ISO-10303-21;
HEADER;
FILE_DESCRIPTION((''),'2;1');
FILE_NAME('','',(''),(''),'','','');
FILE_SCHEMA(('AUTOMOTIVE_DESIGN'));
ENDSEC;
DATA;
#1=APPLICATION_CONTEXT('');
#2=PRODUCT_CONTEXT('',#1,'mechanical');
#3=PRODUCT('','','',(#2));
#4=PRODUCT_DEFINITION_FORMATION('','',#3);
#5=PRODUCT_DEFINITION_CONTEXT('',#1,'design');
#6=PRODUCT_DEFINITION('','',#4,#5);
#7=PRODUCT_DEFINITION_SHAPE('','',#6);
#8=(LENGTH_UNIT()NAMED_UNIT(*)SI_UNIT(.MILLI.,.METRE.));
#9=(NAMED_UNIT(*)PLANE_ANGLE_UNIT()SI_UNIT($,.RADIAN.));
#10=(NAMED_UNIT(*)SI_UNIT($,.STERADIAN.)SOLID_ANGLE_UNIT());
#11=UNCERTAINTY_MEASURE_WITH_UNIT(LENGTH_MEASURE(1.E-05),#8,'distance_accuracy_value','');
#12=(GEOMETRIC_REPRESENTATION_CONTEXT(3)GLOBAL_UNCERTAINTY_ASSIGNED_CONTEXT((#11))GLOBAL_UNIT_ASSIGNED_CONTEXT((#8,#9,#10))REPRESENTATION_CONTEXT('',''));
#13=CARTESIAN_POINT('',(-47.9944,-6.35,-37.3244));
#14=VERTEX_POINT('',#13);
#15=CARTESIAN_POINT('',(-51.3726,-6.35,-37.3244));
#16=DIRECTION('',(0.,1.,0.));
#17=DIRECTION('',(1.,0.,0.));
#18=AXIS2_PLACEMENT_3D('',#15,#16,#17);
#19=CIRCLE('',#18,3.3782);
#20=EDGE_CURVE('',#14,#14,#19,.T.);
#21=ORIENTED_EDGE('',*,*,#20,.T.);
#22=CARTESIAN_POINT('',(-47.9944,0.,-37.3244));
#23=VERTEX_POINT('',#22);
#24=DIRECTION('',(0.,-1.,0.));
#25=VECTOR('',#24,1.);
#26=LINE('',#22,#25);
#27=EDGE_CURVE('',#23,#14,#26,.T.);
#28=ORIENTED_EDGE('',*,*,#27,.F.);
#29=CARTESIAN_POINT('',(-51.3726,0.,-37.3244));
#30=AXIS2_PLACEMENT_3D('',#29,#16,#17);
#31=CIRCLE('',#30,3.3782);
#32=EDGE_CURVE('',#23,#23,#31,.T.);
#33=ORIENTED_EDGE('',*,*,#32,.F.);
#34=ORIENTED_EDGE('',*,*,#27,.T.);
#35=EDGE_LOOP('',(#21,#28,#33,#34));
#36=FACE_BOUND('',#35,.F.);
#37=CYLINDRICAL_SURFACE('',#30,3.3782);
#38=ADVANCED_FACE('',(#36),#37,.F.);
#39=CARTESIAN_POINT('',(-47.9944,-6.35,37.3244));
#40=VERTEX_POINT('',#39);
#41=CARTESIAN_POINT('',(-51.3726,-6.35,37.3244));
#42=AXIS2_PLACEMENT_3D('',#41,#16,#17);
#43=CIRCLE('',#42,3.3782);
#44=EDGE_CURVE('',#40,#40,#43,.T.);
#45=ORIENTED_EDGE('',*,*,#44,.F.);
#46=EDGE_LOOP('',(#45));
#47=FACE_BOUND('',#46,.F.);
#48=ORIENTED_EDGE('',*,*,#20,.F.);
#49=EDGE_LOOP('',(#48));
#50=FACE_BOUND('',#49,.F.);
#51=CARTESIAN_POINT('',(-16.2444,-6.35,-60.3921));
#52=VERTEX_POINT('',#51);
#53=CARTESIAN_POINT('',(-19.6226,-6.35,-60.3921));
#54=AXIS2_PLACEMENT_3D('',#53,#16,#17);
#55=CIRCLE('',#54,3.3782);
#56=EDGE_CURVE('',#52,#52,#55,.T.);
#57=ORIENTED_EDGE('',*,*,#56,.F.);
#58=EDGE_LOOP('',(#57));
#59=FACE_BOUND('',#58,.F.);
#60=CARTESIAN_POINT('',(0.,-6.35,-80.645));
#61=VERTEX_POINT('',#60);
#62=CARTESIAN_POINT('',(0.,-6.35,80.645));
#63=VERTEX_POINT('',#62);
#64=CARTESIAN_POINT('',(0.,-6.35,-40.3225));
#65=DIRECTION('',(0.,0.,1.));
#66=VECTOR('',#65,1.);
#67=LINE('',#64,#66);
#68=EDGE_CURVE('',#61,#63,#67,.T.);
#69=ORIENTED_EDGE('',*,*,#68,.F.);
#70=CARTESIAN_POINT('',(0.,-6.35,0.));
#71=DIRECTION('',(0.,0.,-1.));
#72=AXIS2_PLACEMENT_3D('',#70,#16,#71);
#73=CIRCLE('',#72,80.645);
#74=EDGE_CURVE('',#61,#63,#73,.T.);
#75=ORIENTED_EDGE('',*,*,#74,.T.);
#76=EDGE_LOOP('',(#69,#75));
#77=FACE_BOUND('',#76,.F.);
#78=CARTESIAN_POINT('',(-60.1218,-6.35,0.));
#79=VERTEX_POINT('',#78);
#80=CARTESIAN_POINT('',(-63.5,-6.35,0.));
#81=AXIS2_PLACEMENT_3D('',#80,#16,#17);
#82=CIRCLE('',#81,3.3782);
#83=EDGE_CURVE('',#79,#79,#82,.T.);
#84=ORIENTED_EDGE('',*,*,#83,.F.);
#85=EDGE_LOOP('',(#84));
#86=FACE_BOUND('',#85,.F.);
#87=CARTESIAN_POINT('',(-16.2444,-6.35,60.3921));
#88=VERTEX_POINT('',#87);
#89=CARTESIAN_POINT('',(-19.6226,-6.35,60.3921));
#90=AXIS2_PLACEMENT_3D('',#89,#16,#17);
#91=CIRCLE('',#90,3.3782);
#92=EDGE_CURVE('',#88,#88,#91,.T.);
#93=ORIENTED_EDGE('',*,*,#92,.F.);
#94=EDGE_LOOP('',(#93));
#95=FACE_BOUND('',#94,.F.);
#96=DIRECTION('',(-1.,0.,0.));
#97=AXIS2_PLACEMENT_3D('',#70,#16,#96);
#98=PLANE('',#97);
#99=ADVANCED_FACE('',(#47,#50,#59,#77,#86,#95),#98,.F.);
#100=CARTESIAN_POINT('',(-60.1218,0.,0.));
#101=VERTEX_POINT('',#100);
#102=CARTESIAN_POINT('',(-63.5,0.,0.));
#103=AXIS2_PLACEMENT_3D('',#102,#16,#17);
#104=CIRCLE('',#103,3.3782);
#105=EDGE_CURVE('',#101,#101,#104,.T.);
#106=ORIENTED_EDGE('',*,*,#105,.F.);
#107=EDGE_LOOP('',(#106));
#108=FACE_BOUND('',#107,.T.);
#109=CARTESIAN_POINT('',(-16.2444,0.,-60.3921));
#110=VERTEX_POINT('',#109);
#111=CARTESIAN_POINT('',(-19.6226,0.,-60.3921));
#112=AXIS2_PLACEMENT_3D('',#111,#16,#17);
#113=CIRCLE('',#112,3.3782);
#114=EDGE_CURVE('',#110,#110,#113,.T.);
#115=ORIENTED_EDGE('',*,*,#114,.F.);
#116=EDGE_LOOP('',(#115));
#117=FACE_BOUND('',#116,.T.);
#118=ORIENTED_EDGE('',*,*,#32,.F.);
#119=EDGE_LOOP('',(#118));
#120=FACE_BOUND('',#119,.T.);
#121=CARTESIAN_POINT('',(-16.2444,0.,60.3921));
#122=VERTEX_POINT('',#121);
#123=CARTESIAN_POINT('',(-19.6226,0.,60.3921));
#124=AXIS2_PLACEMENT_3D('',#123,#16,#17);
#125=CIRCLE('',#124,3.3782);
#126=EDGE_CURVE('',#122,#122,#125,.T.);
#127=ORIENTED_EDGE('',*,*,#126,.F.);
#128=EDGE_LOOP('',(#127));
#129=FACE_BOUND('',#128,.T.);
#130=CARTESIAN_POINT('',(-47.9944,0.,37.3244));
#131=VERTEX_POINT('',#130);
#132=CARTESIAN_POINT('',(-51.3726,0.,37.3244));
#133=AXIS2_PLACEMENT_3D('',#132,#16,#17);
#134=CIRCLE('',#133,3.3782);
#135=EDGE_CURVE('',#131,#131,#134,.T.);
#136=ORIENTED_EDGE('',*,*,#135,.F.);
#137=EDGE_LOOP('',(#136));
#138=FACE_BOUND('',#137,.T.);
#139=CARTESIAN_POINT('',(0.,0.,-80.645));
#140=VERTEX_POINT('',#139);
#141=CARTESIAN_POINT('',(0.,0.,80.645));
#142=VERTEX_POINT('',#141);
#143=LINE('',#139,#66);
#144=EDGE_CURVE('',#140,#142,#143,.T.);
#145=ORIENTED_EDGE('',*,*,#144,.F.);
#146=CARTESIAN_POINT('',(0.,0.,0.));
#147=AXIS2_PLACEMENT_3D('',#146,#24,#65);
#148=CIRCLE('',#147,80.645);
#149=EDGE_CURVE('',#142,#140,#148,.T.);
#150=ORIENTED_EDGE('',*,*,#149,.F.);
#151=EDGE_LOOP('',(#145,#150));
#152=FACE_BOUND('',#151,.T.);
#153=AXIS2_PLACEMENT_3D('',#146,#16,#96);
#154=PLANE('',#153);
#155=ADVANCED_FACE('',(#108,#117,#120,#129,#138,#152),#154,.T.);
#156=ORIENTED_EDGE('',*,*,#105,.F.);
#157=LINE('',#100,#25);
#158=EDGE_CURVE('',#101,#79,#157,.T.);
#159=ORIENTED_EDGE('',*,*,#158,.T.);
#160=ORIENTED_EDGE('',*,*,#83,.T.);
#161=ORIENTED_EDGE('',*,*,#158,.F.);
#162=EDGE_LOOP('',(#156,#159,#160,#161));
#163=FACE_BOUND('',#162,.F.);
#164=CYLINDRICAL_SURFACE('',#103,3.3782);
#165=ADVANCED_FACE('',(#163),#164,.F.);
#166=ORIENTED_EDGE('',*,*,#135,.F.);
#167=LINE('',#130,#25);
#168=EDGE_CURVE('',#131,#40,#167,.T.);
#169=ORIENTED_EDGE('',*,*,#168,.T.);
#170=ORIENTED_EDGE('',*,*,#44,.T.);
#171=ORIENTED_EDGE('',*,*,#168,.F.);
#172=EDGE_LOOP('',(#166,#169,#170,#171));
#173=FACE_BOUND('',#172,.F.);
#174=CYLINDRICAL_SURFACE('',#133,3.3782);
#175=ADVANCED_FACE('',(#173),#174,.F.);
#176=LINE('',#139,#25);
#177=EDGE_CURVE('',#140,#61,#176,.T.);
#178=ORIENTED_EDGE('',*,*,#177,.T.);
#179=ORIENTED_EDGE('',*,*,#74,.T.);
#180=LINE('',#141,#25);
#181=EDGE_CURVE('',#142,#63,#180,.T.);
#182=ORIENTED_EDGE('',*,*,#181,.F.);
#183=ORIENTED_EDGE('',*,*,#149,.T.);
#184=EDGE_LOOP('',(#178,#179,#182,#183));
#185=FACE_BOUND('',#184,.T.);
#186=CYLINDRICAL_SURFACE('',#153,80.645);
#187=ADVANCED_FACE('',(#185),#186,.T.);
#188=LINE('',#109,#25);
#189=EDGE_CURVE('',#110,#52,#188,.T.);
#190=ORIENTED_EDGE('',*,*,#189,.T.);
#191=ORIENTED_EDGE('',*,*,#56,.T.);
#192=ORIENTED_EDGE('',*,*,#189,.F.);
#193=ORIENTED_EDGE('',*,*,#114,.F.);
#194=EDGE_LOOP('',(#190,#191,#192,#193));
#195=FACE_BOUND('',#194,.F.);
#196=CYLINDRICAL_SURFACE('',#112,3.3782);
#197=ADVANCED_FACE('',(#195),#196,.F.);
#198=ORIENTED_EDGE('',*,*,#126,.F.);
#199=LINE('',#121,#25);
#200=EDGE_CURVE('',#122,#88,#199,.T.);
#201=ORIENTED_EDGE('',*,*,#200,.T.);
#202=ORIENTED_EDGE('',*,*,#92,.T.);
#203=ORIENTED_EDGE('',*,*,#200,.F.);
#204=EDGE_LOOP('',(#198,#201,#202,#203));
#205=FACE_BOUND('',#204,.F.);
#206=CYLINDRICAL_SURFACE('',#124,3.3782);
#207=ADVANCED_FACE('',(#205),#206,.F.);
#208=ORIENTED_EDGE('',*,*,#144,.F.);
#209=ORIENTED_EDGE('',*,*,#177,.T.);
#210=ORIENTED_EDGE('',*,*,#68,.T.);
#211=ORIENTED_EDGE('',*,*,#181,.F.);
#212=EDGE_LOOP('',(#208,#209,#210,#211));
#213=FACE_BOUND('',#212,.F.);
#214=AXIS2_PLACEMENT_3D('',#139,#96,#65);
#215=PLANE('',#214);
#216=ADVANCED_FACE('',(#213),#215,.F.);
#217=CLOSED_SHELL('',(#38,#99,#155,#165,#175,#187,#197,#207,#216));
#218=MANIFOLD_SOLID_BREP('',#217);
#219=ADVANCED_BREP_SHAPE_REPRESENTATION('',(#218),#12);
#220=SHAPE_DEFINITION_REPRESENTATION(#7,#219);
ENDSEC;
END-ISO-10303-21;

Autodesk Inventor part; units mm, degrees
ref_plane "YZ Plane" through (0, 0, 0) normal (1, 0, 0) x (0, 1, 0)
ref_plane "XZ Plane" through (0, 0, 0) normal (0, 1, 0) x (-1, 0, 0)
ref_plane "XY Plane" through (0, 0, 0) normal (0, 0, 1) x (1, 0, 0)
sketch "Sketch1" plane through (0, 0, 0) normal (0, 1, 0) x (-1, 0, 0)
  circle A0 centre (0, 0) radius 80.645
  dimension "d4" = 161.29
extrude "Extrusion1" add sketch "Sketch1" against normal blind 6.35
sketch "Sketch2" plane through (0, 0, 0) normal (0, 1, 0) x (1, 0, 0)
  arc A0 (0, -80.645) -> (0, 80.645) centre (0, 0) ccw
  circle A1 centre (0, 0) radius 80.645 projected
  line L0 (0, 80.645) -> (0, -80.645)
extrude "Extrusion2" cut sketch "Sketch2" against normal through all contours L0 A0
sketch "Sketch5" plane through (0, 0, 0) normal (0, 1, 0) x (1, 0, 0)
  circle A0 centre (0, 0) radius 63.5 construction
  circle A1 centre (-63.5, 0) radius 3.3782
  circle A2 centre (-51.3726, -37.3244) radius 3.3782
  circle A3 centre (-19.6226, -60.3921) radius 3.3782
  circle A4 centre (19.6226, -60.3921) radius 3.3782
  circle A5 centre (51.3726, -37.3244) radius 3.3782
  circle A6 centre (63.5, 0) radius 3.3782
  circle A7 centre (51.3726, 37.3244) radius 3.3782
  circle A8 centre (19.6226, 60.3921) radius 3.3782
  circle A9 centre (-19.6226, 60.3921) radius 3.3782
  circle A10 centre (-51.3726, 37.3244) radius 3.3782
  dimension "d17" = 127
  dimension "d18" = 6.7564
  dimension "d21" = 360
extrude "Extrusion3" cut sketch "Sketch5" against normal through all contours A1 | A2 | A3 | A9 | A10
properties part number "SupportPlateForWaterHalf" material "PET Plastic"
